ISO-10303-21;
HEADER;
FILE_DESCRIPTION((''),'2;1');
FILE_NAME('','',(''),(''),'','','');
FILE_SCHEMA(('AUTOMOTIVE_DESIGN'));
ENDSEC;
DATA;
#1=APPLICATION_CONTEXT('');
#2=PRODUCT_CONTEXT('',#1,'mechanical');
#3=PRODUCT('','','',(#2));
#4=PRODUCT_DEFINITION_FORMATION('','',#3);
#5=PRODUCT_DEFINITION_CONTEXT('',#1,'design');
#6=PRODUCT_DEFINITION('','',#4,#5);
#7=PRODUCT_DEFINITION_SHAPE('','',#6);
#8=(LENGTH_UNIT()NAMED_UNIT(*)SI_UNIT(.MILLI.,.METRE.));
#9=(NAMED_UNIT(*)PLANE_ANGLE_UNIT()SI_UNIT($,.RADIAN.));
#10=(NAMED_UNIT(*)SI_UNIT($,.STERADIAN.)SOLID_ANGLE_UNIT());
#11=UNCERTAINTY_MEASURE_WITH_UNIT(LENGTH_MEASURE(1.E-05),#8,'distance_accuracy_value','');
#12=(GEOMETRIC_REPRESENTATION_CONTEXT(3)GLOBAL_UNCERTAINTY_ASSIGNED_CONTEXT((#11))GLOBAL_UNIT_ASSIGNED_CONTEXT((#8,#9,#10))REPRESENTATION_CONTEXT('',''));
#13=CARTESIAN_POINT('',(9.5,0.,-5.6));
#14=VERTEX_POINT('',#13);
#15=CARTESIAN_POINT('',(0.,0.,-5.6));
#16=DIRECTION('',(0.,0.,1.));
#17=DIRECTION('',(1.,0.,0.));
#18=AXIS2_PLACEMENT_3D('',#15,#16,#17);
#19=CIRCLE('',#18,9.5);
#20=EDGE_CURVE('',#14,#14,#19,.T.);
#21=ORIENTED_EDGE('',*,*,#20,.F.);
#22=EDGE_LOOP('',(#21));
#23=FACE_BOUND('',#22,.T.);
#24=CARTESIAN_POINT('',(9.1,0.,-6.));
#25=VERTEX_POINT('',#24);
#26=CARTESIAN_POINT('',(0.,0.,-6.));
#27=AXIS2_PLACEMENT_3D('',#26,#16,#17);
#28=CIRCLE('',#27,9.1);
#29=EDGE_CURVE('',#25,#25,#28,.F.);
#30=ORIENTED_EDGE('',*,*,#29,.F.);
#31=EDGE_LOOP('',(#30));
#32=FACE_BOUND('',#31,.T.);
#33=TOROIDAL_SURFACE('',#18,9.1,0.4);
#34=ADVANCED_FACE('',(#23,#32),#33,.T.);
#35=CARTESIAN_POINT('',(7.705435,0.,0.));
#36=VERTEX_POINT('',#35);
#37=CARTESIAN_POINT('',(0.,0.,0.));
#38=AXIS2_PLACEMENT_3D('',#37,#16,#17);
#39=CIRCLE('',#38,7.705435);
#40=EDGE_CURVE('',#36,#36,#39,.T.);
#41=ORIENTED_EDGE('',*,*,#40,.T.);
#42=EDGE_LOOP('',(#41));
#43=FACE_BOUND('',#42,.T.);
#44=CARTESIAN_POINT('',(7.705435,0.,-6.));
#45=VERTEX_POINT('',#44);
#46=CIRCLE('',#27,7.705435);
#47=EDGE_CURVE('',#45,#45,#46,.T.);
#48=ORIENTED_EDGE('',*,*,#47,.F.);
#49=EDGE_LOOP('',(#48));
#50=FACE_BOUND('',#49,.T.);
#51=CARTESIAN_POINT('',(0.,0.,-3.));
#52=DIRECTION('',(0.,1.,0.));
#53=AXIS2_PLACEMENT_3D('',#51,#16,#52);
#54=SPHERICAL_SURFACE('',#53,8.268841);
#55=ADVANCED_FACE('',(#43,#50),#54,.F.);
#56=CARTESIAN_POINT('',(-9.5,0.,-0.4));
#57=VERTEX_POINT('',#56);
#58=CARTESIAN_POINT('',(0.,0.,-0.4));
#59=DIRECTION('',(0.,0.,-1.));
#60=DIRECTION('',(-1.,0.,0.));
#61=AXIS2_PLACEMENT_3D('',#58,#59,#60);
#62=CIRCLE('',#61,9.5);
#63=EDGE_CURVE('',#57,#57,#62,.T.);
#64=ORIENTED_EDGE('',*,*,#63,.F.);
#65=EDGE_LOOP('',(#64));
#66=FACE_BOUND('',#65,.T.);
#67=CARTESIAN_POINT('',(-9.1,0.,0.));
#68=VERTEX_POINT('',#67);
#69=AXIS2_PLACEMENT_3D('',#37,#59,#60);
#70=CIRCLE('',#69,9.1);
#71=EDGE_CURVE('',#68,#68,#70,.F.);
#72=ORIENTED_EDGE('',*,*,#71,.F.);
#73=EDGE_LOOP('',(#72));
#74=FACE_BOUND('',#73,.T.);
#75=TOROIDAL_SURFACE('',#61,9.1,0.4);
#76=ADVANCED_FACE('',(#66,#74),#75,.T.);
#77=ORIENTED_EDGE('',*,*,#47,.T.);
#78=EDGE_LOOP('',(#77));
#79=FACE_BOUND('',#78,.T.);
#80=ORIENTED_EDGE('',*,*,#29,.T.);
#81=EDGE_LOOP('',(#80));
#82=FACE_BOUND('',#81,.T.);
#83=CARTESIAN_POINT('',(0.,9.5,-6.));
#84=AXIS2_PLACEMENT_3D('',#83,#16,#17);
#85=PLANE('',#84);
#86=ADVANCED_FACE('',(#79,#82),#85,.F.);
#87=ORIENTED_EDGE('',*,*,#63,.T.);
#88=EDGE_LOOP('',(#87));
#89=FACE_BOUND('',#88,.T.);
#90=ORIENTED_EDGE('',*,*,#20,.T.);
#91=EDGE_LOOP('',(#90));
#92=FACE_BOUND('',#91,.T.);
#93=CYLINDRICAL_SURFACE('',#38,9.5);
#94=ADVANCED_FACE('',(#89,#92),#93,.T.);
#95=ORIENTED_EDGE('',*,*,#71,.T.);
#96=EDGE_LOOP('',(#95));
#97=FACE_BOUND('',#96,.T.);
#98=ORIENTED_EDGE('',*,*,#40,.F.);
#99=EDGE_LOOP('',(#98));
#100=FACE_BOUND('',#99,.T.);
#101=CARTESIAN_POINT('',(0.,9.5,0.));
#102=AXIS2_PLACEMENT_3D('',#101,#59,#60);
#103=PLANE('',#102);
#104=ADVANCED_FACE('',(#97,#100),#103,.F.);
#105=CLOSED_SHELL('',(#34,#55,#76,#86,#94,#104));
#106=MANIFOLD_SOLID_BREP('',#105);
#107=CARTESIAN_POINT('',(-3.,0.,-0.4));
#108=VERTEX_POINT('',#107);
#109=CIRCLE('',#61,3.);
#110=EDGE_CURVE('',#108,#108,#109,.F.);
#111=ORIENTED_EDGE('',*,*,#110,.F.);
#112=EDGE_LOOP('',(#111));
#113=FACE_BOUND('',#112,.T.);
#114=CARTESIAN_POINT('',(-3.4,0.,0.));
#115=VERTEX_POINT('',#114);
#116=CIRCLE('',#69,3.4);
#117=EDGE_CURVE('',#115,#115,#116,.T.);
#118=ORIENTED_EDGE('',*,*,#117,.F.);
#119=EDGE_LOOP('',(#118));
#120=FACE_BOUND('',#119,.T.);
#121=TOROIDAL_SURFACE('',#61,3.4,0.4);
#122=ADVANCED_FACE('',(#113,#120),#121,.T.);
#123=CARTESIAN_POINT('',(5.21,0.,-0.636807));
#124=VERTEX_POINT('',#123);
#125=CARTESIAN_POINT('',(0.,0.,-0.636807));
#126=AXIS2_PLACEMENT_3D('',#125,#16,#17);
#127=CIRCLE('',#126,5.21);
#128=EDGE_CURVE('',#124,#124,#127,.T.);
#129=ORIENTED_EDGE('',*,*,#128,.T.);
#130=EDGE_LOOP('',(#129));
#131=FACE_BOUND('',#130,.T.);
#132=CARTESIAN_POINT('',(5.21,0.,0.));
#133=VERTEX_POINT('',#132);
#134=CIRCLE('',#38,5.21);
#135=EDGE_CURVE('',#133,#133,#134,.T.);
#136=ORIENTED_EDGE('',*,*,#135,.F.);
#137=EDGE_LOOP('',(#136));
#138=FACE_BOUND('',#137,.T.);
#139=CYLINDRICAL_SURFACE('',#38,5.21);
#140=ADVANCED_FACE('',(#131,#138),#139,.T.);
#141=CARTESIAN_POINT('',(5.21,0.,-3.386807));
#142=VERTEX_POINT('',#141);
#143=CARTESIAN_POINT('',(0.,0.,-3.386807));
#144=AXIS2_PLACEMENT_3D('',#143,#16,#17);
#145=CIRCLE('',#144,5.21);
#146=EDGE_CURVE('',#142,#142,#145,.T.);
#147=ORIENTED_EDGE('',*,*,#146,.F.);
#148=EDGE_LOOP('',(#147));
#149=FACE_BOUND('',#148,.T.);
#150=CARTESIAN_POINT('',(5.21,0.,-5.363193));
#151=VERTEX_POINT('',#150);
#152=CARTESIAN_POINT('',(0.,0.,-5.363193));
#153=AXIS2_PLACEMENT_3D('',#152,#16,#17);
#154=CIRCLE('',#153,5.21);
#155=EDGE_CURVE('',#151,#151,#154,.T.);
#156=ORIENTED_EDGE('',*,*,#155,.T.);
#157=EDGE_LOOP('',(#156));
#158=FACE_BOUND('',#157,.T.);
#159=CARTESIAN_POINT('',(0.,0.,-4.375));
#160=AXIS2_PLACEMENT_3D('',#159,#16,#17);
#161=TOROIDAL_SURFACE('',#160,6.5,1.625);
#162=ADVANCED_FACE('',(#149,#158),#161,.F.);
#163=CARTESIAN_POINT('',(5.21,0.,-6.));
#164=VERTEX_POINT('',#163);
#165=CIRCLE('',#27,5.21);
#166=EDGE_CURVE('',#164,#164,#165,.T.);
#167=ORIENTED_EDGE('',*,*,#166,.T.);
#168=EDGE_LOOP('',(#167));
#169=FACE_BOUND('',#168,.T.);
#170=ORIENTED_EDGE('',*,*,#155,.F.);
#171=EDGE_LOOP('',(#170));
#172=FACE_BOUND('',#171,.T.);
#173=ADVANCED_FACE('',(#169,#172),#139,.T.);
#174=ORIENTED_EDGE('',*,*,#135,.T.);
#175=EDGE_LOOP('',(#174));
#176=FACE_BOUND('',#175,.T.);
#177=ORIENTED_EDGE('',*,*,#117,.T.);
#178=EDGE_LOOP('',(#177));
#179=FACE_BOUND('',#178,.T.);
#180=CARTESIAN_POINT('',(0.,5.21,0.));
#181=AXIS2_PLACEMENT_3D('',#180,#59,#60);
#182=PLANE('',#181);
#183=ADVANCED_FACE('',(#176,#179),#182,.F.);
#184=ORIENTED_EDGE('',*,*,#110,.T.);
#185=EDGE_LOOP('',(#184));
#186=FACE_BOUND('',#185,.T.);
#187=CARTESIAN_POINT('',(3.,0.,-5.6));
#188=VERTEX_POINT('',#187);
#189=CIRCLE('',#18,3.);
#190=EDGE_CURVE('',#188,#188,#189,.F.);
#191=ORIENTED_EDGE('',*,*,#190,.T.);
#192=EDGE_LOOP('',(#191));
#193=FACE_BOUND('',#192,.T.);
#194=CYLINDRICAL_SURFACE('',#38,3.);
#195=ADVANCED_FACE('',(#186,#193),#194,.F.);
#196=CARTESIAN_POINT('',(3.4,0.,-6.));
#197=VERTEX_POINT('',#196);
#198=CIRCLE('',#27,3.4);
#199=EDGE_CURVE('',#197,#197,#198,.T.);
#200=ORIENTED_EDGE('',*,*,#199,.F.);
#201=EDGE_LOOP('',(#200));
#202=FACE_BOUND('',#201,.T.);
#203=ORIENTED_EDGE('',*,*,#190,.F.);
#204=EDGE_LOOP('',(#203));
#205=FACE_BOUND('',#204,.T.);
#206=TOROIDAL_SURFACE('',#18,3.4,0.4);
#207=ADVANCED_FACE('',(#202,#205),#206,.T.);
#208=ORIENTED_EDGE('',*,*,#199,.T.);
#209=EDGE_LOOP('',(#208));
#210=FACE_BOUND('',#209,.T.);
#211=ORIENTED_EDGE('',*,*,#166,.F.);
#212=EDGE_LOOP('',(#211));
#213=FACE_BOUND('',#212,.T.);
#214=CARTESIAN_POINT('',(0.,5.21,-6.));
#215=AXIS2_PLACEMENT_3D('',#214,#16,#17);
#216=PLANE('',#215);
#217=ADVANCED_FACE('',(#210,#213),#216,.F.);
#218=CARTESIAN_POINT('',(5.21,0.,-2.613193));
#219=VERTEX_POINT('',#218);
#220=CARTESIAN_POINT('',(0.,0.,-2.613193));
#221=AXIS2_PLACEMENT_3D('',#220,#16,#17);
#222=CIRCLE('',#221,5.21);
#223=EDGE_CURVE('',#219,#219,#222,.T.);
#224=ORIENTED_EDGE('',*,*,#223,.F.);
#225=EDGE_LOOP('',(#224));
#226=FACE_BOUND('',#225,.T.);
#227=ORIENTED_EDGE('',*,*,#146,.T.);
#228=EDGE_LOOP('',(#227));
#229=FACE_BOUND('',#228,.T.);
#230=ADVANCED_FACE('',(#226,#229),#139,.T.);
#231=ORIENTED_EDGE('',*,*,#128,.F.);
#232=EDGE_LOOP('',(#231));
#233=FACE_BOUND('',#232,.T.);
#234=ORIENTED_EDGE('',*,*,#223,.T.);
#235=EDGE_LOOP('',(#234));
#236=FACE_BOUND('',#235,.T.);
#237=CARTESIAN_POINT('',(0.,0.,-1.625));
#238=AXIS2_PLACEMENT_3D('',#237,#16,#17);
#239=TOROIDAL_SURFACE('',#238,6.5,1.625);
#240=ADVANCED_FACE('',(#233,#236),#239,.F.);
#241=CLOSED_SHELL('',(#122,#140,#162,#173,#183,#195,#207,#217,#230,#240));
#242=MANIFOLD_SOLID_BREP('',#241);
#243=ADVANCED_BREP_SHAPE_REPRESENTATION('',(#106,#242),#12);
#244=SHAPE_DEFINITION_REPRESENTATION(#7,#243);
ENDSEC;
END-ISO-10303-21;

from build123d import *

# Parameters (mm, degrees)
FILLET_1_R = 0.4
FILLET_2_R = 0.4


with BuildPart() as part:
    # Эскиз1 → Повернуть1 (revolve)
    with BuildSketch(Plane(origin=(0, 0, 0), x_dir=(0, 0, -1), z_dir=(1, 0, 0))):
        with BuildLine():
            Line((0, 5.21), (0.636807205, 5.21))
            ThreePointArc((0.636807205, 5.21), (1.625, 4.875), (2.613192795, 5.21))
            Line((2.613192795, 5.21), (3.386807205, 5.21))
            ThreePointArc((3.386807205, 5.21), (4.375, 4.875), (5.363192795, 5.21))
            Line((5.363192795, 5.21), (6, 5.21))
            Line((6, 5.21), (6, 3))
            Line((6, 3), (0, 3))
            Line((0, 3), (0, 5.21))
        make_face()
        with BuildLine():
            Line((0, 9.5), (6, 9.5))
            Line((6, 9.5), (6, 7.705435334))
            ThreePointArc((6, 7.705435334), (3, 8.268841133), (0, 7.705435334))
            Line((0, 7.705435334), (0, 9.5))
        make_face()
    revolve(axis=Axis((0, 0, 0), (0, 0, -1)))

    # Скругление1
    fillet_1_edges = [part.edges().sort_by_distance(p)[0] for p in [
        (0, -3, -6),
        (0, -3, 0),
    ]]
    fillet(fillet_1_edges, radius=FILLET_1_R)

    # Скругление2
    fillet_2_edges = [part.edges().sort_by_distance(p)[0] for p in [
        (0, -9.5, 0),
        (0, -9.5, -6),
    ]]
    fillet(fillet_2_edges, radius=FILLET_2_R)


solid = part.part
